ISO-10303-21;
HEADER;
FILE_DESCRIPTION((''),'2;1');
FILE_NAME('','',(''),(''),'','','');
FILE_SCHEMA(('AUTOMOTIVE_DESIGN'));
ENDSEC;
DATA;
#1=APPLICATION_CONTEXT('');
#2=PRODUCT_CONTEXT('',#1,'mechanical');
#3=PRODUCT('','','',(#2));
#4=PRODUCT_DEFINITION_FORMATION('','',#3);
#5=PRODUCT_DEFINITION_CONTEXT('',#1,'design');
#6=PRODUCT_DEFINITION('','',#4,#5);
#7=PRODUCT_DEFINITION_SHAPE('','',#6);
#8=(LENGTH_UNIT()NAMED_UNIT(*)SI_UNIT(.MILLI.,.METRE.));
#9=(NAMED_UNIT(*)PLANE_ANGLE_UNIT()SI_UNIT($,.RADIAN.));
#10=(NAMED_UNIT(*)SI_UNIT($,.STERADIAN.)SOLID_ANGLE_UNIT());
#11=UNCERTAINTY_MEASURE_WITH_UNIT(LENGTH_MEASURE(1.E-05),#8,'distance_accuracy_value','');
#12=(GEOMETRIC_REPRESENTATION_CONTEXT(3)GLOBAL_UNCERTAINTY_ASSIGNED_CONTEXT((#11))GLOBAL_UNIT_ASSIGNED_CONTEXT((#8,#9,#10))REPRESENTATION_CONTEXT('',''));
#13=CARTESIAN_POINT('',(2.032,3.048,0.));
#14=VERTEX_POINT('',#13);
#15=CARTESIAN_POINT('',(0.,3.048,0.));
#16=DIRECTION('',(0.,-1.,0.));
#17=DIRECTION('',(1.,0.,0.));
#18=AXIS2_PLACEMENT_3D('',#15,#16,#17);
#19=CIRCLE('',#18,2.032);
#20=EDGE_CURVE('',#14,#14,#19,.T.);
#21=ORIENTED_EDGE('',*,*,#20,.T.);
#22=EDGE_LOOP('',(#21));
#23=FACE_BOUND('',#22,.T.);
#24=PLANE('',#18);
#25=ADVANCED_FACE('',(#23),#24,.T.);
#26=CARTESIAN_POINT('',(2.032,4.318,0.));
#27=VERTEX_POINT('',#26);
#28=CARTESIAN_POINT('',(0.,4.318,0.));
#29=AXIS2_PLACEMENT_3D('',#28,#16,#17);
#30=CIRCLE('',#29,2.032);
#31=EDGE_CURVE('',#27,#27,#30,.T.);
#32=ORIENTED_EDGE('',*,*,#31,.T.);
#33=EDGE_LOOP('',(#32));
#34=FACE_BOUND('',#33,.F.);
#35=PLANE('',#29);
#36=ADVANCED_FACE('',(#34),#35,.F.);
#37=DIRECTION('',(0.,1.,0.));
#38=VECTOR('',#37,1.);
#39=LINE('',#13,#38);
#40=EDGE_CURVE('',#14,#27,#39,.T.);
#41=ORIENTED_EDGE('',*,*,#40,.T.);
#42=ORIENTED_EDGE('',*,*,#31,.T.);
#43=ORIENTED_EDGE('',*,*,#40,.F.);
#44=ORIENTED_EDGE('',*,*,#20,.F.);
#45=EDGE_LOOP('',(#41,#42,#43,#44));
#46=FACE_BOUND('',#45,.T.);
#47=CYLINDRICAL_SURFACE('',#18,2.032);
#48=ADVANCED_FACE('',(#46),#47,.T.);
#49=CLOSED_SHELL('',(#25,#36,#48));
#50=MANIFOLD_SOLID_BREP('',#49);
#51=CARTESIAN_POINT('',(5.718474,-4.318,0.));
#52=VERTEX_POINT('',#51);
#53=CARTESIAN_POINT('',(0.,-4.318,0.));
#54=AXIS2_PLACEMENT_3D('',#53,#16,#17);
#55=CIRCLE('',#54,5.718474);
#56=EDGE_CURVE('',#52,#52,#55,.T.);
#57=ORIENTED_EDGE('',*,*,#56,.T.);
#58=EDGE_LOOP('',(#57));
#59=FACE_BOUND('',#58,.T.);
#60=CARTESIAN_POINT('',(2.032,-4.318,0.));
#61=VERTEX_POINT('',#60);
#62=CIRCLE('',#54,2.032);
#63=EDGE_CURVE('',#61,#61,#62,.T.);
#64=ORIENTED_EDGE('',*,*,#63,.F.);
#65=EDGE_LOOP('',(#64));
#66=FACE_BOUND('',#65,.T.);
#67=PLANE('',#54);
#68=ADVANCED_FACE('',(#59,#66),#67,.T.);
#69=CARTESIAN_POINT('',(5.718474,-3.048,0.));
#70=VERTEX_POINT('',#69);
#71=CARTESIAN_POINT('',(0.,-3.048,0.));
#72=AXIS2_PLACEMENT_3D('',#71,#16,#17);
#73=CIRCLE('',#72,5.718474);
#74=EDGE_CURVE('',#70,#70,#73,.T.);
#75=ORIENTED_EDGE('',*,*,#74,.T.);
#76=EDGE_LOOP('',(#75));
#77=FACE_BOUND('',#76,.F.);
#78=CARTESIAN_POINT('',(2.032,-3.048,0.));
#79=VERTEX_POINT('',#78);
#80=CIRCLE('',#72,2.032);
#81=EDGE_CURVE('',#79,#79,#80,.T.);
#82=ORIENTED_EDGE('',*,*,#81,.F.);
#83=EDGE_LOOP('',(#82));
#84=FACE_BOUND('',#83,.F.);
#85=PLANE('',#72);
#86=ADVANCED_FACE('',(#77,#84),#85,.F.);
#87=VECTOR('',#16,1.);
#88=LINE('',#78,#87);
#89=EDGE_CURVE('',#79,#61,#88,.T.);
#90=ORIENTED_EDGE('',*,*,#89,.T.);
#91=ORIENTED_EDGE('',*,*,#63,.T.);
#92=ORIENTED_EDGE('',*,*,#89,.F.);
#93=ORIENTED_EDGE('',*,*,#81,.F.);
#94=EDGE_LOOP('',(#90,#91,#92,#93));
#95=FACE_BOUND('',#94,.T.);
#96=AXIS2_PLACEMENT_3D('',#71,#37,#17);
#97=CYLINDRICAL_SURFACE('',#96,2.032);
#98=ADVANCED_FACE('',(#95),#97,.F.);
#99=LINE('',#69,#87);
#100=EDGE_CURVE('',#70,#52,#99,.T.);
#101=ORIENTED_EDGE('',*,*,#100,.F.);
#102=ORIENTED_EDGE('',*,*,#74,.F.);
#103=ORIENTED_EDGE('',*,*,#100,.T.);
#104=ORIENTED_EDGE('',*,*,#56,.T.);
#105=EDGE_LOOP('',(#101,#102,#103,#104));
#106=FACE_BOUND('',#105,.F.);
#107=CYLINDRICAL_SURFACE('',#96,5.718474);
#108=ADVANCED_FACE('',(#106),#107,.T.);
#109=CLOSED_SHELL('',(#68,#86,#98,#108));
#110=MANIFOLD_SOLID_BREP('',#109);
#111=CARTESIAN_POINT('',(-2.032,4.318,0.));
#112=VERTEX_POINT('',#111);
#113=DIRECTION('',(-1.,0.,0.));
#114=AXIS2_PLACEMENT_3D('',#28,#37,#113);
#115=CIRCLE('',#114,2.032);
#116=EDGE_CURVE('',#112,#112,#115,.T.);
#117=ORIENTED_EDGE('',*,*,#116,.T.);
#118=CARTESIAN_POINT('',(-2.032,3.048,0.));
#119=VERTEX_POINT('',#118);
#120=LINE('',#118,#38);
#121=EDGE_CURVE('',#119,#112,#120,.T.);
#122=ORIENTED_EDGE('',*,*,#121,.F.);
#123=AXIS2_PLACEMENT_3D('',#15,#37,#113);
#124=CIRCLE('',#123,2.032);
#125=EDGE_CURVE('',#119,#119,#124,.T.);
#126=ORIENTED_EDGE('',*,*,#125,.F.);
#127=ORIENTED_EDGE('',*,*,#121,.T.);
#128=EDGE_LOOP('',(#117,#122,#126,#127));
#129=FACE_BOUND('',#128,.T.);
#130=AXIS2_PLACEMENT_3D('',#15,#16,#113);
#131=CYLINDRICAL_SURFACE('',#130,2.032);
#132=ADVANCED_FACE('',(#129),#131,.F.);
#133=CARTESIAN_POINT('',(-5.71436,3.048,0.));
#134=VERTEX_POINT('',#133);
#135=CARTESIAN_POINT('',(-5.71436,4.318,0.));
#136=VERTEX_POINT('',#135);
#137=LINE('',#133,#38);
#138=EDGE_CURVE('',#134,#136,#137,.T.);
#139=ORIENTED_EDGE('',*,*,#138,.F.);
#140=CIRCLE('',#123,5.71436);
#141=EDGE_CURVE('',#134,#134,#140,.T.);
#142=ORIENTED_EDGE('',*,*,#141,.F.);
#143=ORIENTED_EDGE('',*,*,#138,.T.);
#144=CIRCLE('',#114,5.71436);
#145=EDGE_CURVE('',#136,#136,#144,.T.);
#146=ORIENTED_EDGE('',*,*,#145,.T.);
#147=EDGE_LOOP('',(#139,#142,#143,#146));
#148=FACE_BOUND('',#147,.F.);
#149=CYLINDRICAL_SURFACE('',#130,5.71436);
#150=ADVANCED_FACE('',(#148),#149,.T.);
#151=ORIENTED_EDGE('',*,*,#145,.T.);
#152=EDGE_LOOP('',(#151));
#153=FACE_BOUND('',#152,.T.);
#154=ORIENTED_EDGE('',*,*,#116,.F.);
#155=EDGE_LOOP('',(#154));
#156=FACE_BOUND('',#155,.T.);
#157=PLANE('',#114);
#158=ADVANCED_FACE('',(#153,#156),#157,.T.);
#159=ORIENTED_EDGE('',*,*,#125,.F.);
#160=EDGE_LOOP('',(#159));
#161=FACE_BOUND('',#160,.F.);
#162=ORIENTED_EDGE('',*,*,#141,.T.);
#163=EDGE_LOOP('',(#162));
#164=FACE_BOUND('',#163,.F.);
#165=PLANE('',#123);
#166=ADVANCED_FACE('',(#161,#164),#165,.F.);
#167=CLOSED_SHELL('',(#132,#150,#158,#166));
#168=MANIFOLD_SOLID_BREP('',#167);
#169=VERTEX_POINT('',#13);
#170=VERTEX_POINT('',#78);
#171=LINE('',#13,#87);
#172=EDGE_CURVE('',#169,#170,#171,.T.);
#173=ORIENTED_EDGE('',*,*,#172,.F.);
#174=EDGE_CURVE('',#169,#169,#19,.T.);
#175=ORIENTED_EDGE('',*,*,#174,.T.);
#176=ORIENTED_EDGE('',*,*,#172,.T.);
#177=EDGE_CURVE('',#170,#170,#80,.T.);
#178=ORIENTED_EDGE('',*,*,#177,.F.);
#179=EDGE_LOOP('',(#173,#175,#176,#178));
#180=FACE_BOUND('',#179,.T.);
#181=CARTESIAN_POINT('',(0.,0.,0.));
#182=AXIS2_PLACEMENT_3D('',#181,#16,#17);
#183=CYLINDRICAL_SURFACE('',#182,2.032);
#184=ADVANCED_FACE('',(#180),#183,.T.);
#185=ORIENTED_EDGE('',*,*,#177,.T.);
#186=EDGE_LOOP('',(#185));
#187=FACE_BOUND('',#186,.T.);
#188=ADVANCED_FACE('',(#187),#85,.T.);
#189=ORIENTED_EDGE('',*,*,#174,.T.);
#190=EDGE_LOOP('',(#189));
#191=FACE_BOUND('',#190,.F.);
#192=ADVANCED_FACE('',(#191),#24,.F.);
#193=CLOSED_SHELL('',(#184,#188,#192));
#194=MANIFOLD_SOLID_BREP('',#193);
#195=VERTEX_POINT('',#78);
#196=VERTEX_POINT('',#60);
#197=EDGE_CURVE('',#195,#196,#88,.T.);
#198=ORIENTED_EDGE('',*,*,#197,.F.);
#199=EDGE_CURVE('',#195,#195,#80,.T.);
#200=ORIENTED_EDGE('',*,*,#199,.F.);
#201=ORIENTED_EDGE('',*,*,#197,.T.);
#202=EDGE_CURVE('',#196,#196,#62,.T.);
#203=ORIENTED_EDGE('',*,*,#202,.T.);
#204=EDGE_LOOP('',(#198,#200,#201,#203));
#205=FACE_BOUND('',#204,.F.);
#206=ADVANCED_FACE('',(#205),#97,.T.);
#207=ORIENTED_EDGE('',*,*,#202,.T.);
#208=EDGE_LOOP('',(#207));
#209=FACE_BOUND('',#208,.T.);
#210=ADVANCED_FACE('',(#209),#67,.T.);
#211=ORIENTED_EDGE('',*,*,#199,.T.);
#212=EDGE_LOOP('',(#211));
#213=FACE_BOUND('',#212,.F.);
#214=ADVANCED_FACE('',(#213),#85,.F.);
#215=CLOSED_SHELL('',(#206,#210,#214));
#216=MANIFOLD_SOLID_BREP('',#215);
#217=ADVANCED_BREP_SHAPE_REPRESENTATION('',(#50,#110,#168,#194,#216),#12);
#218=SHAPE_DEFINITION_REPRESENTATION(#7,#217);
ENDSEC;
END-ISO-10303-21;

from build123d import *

# Parameters (mm, degrees)
F0_R     = 2.032
F1_DEPTH = 3.048
F2_DEPTH = 3.048
F3_R     = 5.7143595464
F3_R_2   = 2.032
F4_DEPTH = 1.27
F5_R     = 5.718473568
F5_R_2   = 2.032
F6_DEPTH = 1.27
F7_DEPTH = 1.27
F8_DEPTH = 1.27


with BuildPart() as f1:
    # F0 (on Front) → F1 (new body)
    with BuildSketch(Plane.XZ):
        Circle(F0_R)
    extrude(amount=F1_DEPTH)

    # F2 (add): a face of the model
    f2_faces = [f1.faces().sort_by_distance(p)[0] for p in [
        (0, 0, 0),
    ]]
    extrude(f2_faces, amount=F2_DEPTH)


with BuildPart() as f4:
    # F3 (on face) → F4 (new body)
    with BuildSketch(Plane(origin=(0, 3.048, 0), x_dir=(-1, 0, 0), z_dir=(0, 1, 0))):
        Circle(F3_R)
        Circle(F3_R_2, mode=Mode.SUBTRACT)
    extrude(amount=F4_DEPTH)


with BuildPart() as f6:
    # F5 (on face) → F6 (new body)
    with BuildSketch(Plane.XZ.offset(3.048)):
        Circle(F5_R)
        Circle(F5_R_2, mode=Mode.SUBTRACT)
    extrude(amount=F6_DEPTH)


with BuildPart() as f7:
    # F7 (new): a face of the model
    f7_faces = [f1.part.faces().sort_by_distance(p)[0] for p in [
        (0, 3.048, 0),
    ]]
    extrude(f7_faces, amount=F7_DEPTH)


with BuildPart() as f8:
    # F8 (new): a face of the model
    f8_faces = [f1.part.faces().sort_by_distance(p)[0] for p in [
        (0, -3.048, 0),
    ]]
    extrude(f8_faces, amount=F8_DEPTH)


solid = Compound([f1.part, f4.part, f6.part, f7.part, f8.part])
